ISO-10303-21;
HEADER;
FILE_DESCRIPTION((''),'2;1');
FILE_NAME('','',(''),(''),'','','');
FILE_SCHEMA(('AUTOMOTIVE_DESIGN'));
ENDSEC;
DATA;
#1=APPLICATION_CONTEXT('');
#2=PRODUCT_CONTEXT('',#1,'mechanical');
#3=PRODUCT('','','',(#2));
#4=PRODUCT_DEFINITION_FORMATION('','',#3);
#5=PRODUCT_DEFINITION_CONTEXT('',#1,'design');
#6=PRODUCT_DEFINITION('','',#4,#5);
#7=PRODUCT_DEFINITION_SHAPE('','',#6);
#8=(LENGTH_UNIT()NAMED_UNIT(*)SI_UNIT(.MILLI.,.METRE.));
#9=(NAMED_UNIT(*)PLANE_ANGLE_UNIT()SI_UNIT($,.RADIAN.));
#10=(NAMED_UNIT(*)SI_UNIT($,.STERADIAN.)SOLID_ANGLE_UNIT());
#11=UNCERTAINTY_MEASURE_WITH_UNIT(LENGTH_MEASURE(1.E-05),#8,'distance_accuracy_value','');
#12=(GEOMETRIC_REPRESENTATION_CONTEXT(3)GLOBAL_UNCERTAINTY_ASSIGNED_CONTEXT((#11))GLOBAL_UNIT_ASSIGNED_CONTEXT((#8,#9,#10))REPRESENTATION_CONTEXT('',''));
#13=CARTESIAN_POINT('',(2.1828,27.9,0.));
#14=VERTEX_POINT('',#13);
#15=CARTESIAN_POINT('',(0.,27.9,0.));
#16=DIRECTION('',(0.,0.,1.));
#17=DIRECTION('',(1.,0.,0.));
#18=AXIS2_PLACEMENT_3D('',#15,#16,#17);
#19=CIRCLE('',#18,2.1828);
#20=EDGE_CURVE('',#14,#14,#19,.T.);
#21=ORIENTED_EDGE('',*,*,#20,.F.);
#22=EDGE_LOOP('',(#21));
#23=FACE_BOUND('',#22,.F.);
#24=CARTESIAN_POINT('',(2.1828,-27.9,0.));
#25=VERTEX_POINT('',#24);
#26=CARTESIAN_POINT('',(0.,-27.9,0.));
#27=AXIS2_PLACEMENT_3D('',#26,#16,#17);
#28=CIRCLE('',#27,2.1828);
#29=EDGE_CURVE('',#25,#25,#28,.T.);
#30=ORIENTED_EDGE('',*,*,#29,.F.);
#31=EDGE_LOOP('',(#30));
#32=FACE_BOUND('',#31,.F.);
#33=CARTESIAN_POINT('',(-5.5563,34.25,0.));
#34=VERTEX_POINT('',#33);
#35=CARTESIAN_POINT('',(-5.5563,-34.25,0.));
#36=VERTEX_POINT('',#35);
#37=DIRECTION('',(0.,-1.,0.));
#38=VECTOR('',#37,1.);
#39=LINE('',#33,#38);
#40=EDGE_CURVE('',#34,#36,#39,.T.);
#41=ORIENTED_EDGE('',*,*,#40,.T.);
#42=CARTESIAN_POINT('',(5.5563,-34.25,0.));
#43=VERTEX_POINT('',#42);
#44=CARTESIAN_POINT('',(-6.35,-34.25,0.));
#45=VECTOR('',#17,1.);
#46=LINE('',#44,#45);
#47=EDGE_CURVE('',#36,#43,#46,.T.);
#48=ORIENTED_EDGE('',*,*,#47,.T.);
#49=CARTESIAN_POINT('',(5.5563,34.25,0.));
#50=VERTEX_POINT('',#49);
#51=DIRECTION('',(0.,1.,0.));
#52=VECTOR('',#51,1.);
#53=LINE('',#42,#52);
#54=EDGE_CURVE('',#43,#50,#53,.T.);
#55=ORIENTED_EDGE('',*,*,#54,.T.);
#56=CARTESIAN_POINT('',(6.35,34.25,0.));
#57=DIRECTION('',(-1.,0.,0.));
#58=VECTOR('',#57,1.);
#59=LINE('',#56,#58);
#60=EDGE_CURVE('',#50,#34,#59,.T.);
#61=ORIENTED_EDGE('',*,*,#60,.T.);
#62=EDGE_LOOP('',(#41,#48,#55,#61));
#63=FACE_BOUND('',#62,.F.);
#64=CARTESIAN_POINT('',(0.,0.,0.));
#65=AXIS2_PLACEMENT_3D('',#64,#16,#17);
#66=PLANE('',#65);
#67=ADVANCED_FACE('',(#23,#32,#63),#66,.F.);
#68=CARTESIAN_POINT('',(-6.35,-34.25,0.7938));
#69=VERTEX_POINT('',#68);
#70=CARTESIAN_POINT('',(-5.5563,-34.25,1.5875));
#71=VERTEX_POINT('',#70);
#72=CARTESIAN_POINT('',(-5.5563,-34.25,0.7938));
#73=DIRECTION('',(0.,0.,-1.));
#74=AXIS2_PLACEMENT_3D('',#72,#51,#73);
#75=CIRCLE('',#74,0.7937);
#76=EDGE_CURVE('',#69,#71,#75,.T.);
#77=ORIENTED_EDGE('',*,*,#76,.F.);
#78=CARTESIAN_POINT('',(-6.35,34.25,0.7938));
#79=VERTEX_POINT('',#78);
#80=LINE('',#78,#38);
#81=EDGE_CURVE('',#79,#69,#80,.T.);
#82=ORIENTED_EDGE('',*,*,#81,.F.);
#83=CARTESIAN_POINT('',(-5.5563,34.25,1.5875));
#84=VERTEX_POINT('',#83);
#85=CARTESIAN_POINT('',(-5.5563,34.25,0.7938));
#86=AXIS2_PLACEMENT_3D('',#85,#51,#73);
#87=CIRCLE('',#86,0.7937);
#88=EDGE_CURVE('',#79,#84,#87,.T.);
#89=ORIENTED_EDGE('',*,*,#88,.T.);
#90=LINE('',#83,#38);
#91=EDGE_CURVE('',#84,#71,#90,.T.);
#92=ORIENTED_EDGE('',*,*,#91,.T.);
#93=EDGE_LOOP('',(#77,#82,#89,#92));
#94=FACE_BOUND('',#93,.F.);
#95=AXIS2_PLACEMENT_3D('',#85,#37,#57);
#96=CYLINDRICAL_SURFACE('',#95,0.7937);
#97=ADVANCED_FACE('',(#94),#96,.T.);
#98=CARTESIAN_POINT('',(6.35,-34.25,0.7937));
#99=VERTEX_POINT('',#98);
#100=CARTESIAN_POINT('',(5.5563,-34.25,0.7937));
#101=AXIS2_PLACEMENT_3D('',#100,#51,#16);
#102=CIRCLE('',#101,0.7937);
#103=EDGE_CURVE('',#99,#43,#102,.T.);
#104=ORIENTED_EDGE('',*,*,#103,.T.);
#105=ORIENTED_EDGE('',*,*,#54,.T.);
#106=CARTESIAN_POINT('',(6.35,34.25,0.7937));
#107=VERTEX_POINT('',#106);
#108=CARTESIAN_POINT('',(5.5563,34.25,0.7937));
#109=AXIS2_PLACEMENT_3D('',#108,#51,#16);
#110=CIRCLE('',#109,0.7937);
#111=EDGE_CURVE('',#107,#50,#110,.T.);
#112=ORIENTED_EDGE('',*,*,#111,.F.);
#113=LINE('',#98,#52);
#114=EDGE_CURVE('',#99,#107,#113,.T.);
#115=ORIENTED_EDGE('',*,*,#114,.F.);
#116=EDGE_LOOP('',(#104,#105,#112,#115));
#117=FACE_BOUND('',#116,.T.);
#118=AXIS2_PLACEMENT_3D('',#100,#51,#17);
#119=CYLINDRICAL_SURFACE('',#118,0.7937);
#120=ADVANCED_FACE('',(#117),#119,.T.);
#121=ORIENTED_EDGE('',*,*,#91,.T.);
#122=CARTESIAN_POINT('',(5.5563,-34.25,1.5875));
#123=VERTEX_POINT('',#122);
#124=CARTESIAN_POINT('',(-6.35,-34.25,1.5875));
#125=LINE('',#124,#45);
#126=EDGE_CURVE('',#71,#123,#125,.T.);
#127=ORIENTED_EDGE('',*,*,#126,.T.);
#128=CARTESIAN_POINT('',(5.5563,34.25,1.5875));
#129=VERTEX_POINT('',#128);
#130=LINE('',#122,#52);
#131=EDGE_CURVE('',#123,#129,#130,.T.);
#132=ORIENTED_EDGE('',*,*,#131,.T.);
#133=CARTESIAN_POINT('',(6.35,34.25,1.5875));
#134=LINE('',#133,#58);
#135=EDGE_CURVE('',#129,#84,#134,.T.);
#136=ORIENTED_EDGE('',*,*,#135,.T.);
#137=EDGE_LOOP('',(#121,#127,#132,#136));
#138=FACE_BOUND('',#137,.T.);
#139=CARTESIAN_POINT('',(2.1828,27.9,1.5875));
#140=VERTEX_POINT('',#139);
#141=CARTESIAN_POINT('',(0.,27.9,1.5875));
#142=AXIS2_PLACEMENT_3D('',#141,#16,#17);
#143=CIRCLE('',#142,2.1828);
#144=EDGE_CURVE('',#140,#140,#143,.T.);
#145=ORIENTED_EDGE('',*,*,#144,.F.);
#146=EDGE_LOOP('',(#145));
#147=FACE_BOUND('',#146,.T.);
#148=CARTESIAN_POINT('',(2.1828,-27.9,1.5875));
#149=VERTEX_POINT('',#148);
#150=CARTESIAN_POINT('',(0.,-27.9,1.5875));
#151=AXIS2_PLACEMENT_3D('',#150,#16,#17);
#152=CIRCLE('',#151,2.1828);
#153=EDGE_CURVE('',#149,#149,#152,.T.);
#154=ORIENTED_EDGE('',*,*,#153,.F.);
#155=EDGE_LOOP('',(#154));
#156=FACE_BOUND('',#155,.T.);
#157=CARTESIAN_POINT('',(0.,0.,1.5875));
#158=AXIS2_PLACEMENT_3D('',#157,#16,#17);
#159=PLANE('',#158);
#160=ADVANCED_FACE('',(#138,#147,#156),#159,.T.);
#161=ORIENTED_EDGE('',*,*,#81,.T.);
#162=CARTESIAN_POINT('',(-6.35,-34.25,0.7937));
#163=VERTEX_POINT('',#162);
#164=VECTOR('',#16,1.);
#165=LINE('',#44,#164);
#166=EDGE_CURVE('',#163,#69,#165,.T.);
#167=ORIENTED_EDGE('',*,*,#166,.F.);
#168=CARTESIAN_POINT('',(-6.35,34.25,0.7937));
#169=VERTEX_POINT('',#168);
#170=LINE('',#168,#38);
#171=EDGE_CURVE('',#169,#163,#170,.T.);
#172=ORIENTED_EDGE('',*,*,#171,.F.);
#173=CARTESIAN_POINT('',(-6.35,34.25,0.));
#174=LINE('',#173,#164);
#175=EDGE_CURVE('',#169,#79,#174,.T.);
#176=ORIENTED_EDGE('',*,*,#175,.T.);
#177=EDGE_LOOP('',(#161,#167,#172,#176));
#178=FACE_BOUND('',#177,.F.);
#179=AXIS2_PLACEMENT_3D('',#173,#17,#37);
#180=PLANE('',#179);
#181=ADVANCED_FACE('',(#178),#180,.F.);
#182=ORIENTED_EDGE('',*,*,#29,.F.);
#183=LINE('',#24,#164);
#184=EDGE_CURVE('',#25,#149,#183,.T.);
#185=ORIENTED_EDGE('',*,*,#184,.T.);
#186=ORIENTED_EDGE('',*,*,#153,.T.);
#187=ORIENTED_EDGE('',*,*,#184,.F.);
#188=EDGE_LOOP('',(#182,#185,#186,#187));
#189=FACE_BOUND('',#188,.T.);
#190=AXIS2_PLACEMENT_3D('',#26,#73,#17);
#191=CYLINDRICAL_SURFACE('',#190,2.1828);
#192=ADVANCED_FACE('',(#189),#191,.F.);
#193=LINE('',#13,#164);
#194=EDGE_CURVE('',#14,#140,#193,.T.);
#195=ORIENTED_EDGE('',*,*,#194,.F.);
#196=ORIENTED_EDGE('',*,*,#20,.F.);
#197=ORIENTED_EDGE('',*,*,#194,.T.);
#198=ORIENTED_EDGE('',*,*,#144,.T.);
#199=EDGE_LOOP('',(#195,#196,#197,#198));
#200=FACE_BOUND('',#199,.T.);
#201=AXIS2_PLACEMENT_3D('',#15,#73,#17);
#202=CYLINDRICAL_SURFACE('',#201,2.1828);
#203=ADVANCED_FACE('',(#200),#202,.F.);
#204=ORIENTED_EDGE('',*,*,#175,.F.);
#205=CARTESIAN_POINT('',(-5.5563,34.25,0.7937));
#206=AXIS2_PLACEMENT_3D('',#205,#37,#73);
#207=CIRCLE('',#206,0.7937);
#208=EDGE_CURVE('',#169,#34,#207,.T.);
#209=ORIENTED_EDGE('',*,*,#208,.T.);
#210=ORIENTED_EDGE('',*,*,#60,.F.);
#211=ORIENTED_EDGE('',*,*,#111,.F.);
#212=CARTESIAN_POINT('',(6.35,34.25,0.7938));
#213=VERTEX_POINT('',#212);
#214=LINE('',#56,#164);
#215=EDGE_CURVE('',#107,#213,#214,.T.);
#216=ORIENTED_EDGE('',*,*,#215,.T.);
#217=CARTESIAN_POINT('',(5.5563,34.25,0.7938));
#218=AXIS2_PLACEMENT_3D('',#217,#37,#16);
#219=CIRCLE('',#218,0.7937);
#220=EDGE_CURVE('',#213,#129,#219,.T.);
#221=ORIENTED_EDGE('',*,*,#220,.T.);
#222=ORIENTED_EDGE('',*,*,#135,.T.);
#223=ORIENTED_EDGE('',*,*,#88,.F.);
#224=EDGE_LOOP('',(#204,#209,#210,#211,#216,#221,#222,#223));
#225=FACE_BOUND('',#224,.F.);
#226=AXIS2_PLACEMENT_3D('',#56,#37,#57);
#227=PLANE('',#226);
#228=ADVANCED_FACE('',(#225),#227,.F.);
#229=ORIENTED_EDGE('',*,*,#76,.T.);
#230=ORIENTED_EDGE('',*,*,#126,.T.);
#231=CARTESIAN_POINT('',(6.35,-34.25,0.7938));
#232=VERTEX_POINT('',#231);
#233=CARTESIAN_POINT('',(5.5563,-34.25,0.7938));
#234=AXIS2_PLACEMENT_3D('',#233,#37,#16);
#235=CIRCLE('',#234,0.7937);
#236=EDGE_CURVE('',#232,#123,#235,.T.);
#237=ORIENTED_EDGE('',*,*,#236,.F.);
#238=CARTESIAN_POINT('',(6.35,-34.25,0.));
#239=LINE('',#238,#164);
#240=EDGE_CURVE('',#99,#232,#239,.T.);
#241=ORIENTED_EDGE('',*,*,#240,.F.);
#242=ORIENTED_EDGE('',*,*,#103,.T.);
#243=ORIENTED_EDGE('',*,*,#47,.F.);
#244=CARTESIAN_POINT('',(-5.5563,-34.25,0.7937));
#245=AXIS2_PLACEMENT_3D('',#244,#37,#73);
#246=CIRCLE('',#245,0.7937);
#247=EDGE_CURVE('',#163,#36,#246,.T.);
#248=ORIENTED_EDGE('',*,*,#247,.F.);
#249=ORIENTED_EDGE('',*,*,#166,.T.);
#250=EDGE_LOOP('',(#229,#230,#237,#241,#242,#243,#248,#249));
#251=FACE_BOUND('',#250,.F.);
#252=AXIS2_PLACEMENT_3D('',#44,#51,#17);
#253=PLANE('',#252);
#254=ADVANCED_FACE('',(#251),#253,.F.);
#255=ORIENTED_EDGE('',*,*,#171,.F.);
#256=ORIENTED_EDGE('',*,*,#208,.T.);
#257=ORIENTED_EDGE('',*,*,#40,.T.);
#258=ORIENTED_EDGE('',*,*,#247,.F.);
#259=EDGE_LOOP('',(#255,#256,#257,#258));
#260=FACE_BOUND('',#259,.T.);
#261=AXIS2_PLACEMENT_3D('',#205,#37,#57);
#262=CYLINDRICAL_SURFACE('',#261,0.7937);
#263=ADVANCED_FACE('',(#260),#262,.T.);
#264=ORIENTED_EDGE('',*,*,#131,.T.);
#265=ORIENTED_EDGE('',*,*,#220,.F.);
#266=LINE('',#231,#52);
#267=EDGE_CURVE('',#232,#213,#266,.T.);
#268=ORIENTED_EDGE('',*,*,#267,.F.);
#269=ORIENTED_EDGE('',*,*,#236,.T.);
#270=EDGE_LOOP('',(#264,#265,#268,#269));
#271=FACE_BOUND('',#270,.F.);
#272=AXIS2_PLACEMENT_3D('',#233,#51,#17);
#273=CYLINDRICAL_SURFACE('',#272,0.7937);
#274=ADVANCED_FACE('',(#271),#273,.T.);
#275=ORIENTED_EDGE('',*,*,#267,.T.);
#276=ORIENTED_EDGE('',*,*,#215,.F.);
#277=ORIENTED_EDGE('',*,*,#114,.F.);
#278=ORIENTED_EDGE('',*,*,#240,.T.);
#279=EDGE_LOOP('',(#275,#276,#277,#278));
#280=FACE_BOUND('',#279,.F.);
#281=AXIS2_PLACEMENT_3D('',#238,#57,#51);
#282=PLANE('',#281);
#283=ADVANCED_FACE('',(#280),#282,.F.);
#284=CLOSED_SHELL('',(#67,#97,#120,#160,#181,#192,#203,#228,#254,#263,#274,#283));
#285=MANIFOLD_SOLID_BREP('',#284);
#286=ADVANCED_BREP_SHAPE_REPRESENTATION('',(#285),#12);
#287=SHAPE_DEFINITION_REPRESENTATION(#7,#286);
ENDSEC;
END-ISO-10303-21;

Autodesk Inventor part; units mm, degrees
ref_plane "YZ Plane" through (0, 0, 0) normal (1, 0, 0) x (0, 1, 0)
ref_plane "XZ Plane" through (0, 0, 0) normal (0, 1, 0) x (-1, 0, 0)
ref_plane "XY Plane" through (0, 0, 0) normal (0, 0, 1) x (1, 0, 0)
sketch "Sketch1" plane through (0, 0, 0) normal (0, 0, 1) x (1, 0, 0)
  circle A0 centre (0, 27.9) radius 2.1828
  circle A1 centre (0, -27.9) radius 2.1828
  line L0 (-6.35, -34.25) -> (6.35, -34.25)
  line L1 (6.35, -34.25) -> (6.35, 34.25)
  line L2 (6.35, 34.25) -> (-6.35, 34.25)
  line L3 (-6.35, 34.25) -> (-6.35, -34.25)
  line L4 (-6.35, -34.25) -> (6.35, 34.25) construction
  line L5 (6.35, -34.25) -> (-6.35, 34.25) construction
  point P0 (0, 0)
  dimension "d0" = 4.3656
  dimension "d1" = 4.3656
  dimension "d2" = 27.9
  dimension "d3" = 27.9
  dimension "d4" = 55.8
  dimension "d5" = 12.7
  dimension "d6" = 6.35
extrude "Extrusion1" add sketch "Sketch1" along normal blind 1.5875
fillet "Fillet1" radius 0.7937 4 edges at (-6.35, 0, 0) (-6.35, 0, 1.5875) (6.35, 0, 0) (6.35, 0, 1.5875)
properties part number "Part E"
